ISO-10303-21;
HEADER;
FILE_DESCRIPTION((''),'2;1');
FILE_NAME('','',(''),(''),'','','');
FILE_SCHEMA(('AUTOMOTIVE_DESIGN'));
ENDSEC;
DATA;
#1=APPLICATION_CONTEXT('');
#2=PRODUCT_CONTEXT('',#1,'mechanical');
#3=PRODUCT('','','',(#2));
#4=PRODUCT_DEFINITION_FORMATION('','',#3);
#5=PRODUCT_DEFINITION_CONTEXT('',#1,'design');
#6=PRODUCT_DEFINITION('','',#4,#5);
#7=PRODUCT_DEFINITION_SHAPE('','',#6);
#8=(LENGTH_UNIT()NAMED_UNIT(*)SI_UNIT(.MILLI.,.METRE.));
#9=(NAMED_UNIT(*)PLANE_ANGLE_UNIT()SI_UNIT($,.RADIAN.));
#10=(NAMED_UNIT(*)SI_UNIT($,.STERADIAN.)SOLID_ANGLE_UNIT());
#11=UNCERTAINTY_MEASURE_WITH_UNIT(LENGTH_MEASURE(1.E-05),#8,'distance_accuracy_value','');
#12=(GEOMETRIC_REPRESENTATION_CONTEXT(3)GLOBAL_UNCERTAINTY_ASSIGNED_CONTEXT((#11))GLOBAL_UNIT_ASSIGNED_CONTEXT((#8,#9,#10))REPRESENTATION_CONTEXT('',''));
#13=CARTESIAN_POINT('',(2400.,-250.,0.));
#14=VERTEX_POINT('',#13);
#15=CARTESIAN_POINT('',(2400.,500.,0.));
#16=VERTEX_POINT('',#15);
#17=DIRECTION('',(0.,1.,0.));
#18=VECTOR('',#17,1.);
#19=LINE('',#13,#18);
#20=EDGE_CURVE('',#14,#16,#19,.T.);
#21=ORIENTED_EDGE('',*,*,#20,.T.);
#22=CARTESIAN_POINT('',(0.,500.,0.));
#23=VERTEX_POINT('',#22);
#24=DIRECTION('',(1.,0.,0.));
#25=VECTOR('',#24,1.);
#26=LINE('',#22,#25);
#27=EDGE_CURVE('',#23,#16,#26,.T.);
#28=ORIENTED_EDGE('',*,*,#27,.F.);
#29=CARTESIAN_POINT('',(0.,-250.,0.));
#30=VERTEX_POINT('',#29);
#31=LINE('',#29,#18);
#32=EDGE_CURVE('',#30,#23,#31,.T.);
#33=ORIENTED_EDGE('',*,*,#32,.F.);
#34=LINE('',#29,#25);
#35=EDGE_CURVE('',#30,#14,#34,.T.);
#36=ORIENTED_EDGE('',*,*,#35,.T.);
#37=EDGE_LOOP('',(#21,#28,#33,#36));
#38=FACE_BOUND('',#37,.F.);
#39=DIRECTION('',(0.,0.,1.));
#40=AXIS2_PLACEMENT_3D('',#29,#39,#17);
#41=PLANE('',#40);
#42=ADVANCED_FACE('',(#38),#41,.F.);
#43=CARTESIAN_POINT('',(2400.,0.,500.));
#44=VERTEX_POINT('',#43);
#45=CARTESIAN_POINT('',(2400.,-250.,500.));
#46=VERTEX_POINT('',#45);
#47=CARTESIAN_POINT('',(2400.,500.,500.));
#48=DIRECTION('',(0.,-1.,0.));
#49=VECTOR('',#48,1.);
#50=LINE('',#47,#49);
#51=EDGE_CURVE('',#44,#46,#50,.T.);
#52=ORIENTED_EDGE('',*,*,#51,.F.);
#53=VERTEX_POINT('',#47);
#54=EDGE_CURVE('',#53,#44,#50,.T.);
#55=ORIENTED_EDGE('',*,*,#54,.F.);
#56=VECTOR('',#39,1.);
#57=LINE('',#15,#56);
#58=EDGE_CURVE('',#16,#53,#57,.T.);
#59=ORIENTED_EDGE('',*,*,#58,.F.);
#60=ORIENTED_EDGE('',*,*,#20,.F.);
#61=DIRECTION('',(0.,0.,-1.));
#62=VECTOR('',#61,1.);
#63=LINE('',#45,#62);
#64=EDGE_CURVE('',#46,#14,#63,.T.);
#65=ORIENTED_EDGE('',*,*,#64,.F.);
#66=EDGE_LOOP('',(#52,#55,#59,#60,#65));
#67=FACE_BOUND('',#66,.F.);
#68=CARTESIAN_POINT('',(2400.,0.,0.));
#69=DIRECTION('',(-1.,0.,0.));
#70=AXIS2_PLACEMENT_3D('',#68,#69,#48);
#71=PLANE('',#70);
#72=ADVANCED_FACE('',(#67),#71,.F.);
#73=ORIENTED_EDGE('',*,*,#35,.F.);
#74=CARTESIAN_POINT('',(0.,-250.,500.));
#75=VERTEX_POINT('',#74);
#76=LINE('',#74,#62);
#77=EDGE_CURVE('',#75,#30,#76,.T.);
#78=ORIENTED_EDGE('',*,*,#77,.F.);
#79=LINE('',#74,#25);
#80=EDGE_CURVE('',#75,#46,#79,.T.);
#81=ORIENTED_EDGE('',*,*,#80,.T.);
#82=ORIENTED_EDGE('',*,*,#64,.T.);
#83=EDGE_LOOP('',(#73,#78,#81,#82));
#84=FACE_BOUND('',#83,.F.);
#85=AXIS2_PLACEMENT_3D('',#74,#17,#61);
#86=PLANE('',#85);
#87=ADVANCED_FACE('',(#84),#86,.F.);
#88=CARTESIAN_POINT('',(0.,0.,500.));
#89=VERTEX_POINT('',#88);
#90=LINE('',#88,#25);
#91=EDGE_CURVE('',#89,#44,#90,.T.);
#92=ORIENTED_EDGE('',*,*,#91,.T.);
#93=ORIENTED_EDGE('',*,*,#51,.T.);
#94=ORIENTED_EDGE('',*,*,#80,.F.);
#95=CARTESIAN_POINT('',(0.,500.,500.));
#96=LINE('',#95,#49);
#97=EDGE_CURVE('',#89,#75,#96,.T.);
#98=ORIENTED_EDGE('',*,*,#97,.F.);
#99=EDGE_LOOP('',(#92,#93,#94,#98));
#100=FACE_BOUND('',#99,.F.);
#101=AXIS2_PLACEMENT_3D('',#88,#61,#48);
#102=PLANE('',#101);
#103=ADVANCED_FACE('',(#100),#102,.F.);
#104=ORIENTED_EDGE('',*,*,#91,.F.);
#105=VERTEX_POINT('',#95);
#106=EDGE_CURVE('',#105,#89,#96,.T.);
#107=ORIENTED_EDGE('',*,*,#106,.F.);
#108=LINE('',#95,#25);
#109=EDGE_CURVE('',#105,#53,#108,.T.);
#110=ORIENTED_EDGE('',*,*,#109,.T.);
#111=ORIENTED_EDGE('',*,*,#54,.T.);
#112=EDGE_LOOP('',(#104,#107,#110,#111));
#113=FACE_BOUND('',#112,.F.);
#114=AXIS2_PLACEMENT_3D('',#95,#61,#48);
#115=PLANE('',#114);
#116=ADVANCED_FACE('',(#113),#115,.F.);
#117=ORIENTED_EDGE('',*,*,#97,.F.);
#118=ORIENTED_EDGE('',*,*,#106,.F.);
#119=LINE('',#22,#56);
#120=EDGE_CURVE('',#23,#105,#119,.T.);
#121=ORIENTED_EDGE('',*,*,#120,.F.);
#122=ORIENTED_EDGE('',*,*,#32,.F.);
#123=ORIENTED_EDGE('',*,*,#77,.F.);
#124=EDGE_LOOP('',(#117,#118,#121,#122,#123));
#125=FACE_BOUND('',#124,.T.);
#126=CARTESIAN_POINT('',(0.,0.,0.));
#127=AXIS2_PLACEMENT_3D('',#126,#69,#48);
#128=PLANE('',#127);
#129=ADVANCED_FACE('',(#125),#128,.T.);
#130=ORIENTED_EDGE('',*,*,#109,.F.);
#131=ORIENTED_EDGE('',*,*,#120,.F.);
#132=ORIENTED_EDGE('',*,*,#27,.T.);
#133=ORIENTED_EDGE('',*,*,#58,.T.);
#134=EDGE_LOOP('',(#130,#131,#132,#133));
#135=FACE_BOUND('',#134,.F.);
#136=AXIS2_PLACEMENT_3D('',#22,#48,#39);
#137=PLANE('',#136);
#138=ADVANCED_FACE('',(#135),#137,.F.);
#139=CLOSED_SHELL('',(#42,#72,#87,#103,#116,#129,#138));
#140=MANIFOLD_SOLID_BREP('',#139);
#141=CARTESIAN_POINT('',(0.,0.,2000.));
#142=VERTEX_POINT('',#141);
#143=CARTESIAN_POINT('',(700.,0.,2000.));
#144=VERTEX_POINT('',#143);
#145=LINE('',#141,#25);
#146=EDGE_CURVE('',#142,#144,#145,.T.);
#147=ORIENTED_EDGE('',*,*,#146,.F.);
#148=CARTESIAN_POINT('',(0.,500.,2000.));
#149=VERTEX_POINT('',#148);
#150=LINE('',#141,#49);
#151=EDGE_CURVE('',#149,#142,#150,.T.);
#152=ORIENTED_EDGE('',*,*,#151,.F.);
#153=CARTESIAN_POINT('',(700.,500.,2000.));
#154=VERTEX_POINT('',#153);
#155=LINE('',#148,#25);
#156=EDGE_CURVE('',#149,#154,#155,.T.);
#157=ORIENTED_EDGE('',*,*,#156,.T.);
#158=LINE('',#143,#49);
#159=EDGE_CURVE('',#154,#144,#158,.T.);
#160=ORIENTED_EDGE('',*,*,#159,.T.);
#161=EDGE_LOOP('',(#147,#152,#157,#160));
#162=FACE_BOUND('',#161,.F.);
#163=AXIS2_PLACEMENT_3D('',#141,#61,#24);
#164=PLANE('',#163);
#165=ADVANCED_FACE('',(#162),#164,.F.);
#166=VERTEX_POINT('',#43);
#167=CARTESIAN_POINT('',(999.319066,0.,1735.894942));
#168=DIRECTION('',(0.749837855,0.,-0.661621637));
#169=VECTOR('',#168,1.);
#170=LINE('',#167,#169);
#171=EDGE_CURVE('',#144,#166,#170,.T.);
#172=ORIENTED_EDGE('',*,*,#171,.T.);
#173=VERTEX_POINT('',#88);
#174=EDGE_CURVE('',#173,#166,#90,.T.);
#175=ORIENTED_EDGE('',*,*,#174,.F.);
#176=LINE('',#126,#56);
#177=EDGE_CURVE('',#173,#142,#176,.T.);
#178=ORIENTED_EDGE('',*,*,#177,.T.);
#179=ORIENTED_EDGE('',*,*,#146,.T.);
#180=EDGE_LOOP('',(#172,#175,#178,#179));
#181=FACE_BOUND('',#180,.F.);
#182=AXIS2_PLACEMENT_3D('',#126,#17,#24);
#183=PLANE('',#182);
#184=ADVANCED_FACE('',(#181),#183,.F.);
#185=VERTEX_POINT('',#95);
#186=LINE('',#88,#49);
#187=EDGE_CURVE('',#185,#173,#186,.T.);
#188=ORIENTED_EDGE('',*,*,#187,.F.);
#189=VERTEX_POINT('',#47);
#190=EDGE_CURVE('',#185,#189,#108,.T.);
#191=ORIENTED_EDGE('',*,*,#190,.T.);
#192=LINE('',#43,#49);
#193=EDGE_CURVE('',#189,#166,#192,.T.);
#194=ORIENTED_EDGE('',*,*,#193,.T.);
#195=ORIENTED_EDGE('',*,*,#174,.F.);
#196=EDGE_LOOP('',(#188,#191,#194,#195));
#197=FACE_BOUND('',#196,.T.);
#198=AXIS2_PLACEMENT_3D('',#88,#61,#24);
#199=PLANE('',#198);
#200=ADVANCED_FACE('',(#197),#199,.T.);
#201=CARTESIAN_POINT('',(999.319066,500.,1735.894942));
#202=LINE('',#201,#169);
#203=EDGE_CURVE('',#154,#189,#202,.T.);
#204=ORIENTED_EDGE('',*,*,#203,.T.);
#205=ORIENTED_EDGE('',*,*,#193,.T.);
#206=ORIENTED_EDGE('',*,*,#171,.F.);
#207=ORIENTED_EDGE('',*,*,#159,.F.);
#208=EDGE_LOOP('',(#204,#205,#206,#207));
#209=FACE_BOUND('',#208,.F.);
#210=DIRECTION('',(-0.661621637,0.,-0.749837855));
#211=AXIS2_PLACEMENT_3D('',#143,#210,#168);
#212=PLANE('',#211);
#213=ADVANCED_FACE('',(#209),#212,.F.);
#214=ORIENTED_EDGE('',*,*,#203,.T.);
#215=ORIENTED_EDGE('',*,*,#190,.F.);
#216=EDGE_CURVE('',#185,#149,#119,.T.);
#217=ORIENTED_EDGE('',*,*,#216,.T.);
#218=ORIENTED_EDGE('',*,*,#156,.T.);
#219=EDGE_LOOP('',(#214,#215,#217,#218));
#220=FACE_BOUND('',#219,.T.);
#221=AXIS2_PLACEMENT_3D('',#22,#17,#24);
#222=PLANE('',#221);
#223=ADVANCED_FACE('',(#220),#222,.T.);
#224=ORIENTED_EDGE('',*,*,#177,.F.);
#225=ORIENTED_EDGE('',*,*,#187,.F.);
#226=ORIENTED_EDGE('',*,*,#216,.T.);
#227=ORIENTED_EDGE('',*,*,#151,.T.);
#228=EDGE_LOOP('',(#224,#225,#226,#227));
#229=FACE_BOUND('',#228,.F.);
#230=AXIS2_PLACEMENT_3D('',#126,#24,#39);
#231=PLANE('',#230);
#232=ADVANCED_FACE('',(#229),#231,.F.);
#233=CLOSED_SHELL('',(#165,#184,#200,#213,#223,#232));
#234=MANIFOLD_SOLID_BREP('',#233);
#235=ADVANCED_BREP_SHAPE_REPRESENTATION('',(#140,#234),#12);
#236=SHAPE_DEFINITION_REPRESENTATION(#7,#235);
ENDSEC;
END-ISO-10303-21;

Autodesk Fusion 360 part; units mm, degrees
sketch "Sketch1" plane through (0, 0, 0) normal (0, 1, 0) x (1, 0, 0)
  line L0 (0, 0) -> (2400, 0)
  line L1 (0, 0) -> (0, -2000)
  line L2 (0, -2000) -> (700, -2000)
  line L3 (2400, 0) -> (2400, -500)
  line L4 (700, -2000) -> (2400, -500)
  dimension "d1" = 2400
  dimension "d2" = 2000
  dimension "d3" = 700
  dimension "d4" = 500
extrude "Extrude1" add sketch "Sketch1" along normal blind 500 makes body 1
move_face "OffsetFaces1" offset -500 1 faces at (800, 166.6667, 0) on bodies 1
sketch "Sketch2" plane through (0, 0, 0) normal (-1, 0, 0) x (0, -1, 0)
  line L0 (0, 500) -> (0, 2000)
  line L1 (0, 2000) -> (-500, 2000)
  line L2 (-500, 2000) -> (-500, 500)
  line L3 (-500, 500) -> (0, 500)
  line L4 (-500, 500) -> (250, 500)
  line L5 (250, 500) -> (250, 0)
  line L6 (250, 0) -> (-500, 0)
  line L7 (-500, 0) -> (-500, 500)
  dimension "d8" = 750
extrude "Extrude2" add sketch "Sketch2" against normal blind 2400 separate body contours L3 L4 L5 L6 L7 makes body 2
